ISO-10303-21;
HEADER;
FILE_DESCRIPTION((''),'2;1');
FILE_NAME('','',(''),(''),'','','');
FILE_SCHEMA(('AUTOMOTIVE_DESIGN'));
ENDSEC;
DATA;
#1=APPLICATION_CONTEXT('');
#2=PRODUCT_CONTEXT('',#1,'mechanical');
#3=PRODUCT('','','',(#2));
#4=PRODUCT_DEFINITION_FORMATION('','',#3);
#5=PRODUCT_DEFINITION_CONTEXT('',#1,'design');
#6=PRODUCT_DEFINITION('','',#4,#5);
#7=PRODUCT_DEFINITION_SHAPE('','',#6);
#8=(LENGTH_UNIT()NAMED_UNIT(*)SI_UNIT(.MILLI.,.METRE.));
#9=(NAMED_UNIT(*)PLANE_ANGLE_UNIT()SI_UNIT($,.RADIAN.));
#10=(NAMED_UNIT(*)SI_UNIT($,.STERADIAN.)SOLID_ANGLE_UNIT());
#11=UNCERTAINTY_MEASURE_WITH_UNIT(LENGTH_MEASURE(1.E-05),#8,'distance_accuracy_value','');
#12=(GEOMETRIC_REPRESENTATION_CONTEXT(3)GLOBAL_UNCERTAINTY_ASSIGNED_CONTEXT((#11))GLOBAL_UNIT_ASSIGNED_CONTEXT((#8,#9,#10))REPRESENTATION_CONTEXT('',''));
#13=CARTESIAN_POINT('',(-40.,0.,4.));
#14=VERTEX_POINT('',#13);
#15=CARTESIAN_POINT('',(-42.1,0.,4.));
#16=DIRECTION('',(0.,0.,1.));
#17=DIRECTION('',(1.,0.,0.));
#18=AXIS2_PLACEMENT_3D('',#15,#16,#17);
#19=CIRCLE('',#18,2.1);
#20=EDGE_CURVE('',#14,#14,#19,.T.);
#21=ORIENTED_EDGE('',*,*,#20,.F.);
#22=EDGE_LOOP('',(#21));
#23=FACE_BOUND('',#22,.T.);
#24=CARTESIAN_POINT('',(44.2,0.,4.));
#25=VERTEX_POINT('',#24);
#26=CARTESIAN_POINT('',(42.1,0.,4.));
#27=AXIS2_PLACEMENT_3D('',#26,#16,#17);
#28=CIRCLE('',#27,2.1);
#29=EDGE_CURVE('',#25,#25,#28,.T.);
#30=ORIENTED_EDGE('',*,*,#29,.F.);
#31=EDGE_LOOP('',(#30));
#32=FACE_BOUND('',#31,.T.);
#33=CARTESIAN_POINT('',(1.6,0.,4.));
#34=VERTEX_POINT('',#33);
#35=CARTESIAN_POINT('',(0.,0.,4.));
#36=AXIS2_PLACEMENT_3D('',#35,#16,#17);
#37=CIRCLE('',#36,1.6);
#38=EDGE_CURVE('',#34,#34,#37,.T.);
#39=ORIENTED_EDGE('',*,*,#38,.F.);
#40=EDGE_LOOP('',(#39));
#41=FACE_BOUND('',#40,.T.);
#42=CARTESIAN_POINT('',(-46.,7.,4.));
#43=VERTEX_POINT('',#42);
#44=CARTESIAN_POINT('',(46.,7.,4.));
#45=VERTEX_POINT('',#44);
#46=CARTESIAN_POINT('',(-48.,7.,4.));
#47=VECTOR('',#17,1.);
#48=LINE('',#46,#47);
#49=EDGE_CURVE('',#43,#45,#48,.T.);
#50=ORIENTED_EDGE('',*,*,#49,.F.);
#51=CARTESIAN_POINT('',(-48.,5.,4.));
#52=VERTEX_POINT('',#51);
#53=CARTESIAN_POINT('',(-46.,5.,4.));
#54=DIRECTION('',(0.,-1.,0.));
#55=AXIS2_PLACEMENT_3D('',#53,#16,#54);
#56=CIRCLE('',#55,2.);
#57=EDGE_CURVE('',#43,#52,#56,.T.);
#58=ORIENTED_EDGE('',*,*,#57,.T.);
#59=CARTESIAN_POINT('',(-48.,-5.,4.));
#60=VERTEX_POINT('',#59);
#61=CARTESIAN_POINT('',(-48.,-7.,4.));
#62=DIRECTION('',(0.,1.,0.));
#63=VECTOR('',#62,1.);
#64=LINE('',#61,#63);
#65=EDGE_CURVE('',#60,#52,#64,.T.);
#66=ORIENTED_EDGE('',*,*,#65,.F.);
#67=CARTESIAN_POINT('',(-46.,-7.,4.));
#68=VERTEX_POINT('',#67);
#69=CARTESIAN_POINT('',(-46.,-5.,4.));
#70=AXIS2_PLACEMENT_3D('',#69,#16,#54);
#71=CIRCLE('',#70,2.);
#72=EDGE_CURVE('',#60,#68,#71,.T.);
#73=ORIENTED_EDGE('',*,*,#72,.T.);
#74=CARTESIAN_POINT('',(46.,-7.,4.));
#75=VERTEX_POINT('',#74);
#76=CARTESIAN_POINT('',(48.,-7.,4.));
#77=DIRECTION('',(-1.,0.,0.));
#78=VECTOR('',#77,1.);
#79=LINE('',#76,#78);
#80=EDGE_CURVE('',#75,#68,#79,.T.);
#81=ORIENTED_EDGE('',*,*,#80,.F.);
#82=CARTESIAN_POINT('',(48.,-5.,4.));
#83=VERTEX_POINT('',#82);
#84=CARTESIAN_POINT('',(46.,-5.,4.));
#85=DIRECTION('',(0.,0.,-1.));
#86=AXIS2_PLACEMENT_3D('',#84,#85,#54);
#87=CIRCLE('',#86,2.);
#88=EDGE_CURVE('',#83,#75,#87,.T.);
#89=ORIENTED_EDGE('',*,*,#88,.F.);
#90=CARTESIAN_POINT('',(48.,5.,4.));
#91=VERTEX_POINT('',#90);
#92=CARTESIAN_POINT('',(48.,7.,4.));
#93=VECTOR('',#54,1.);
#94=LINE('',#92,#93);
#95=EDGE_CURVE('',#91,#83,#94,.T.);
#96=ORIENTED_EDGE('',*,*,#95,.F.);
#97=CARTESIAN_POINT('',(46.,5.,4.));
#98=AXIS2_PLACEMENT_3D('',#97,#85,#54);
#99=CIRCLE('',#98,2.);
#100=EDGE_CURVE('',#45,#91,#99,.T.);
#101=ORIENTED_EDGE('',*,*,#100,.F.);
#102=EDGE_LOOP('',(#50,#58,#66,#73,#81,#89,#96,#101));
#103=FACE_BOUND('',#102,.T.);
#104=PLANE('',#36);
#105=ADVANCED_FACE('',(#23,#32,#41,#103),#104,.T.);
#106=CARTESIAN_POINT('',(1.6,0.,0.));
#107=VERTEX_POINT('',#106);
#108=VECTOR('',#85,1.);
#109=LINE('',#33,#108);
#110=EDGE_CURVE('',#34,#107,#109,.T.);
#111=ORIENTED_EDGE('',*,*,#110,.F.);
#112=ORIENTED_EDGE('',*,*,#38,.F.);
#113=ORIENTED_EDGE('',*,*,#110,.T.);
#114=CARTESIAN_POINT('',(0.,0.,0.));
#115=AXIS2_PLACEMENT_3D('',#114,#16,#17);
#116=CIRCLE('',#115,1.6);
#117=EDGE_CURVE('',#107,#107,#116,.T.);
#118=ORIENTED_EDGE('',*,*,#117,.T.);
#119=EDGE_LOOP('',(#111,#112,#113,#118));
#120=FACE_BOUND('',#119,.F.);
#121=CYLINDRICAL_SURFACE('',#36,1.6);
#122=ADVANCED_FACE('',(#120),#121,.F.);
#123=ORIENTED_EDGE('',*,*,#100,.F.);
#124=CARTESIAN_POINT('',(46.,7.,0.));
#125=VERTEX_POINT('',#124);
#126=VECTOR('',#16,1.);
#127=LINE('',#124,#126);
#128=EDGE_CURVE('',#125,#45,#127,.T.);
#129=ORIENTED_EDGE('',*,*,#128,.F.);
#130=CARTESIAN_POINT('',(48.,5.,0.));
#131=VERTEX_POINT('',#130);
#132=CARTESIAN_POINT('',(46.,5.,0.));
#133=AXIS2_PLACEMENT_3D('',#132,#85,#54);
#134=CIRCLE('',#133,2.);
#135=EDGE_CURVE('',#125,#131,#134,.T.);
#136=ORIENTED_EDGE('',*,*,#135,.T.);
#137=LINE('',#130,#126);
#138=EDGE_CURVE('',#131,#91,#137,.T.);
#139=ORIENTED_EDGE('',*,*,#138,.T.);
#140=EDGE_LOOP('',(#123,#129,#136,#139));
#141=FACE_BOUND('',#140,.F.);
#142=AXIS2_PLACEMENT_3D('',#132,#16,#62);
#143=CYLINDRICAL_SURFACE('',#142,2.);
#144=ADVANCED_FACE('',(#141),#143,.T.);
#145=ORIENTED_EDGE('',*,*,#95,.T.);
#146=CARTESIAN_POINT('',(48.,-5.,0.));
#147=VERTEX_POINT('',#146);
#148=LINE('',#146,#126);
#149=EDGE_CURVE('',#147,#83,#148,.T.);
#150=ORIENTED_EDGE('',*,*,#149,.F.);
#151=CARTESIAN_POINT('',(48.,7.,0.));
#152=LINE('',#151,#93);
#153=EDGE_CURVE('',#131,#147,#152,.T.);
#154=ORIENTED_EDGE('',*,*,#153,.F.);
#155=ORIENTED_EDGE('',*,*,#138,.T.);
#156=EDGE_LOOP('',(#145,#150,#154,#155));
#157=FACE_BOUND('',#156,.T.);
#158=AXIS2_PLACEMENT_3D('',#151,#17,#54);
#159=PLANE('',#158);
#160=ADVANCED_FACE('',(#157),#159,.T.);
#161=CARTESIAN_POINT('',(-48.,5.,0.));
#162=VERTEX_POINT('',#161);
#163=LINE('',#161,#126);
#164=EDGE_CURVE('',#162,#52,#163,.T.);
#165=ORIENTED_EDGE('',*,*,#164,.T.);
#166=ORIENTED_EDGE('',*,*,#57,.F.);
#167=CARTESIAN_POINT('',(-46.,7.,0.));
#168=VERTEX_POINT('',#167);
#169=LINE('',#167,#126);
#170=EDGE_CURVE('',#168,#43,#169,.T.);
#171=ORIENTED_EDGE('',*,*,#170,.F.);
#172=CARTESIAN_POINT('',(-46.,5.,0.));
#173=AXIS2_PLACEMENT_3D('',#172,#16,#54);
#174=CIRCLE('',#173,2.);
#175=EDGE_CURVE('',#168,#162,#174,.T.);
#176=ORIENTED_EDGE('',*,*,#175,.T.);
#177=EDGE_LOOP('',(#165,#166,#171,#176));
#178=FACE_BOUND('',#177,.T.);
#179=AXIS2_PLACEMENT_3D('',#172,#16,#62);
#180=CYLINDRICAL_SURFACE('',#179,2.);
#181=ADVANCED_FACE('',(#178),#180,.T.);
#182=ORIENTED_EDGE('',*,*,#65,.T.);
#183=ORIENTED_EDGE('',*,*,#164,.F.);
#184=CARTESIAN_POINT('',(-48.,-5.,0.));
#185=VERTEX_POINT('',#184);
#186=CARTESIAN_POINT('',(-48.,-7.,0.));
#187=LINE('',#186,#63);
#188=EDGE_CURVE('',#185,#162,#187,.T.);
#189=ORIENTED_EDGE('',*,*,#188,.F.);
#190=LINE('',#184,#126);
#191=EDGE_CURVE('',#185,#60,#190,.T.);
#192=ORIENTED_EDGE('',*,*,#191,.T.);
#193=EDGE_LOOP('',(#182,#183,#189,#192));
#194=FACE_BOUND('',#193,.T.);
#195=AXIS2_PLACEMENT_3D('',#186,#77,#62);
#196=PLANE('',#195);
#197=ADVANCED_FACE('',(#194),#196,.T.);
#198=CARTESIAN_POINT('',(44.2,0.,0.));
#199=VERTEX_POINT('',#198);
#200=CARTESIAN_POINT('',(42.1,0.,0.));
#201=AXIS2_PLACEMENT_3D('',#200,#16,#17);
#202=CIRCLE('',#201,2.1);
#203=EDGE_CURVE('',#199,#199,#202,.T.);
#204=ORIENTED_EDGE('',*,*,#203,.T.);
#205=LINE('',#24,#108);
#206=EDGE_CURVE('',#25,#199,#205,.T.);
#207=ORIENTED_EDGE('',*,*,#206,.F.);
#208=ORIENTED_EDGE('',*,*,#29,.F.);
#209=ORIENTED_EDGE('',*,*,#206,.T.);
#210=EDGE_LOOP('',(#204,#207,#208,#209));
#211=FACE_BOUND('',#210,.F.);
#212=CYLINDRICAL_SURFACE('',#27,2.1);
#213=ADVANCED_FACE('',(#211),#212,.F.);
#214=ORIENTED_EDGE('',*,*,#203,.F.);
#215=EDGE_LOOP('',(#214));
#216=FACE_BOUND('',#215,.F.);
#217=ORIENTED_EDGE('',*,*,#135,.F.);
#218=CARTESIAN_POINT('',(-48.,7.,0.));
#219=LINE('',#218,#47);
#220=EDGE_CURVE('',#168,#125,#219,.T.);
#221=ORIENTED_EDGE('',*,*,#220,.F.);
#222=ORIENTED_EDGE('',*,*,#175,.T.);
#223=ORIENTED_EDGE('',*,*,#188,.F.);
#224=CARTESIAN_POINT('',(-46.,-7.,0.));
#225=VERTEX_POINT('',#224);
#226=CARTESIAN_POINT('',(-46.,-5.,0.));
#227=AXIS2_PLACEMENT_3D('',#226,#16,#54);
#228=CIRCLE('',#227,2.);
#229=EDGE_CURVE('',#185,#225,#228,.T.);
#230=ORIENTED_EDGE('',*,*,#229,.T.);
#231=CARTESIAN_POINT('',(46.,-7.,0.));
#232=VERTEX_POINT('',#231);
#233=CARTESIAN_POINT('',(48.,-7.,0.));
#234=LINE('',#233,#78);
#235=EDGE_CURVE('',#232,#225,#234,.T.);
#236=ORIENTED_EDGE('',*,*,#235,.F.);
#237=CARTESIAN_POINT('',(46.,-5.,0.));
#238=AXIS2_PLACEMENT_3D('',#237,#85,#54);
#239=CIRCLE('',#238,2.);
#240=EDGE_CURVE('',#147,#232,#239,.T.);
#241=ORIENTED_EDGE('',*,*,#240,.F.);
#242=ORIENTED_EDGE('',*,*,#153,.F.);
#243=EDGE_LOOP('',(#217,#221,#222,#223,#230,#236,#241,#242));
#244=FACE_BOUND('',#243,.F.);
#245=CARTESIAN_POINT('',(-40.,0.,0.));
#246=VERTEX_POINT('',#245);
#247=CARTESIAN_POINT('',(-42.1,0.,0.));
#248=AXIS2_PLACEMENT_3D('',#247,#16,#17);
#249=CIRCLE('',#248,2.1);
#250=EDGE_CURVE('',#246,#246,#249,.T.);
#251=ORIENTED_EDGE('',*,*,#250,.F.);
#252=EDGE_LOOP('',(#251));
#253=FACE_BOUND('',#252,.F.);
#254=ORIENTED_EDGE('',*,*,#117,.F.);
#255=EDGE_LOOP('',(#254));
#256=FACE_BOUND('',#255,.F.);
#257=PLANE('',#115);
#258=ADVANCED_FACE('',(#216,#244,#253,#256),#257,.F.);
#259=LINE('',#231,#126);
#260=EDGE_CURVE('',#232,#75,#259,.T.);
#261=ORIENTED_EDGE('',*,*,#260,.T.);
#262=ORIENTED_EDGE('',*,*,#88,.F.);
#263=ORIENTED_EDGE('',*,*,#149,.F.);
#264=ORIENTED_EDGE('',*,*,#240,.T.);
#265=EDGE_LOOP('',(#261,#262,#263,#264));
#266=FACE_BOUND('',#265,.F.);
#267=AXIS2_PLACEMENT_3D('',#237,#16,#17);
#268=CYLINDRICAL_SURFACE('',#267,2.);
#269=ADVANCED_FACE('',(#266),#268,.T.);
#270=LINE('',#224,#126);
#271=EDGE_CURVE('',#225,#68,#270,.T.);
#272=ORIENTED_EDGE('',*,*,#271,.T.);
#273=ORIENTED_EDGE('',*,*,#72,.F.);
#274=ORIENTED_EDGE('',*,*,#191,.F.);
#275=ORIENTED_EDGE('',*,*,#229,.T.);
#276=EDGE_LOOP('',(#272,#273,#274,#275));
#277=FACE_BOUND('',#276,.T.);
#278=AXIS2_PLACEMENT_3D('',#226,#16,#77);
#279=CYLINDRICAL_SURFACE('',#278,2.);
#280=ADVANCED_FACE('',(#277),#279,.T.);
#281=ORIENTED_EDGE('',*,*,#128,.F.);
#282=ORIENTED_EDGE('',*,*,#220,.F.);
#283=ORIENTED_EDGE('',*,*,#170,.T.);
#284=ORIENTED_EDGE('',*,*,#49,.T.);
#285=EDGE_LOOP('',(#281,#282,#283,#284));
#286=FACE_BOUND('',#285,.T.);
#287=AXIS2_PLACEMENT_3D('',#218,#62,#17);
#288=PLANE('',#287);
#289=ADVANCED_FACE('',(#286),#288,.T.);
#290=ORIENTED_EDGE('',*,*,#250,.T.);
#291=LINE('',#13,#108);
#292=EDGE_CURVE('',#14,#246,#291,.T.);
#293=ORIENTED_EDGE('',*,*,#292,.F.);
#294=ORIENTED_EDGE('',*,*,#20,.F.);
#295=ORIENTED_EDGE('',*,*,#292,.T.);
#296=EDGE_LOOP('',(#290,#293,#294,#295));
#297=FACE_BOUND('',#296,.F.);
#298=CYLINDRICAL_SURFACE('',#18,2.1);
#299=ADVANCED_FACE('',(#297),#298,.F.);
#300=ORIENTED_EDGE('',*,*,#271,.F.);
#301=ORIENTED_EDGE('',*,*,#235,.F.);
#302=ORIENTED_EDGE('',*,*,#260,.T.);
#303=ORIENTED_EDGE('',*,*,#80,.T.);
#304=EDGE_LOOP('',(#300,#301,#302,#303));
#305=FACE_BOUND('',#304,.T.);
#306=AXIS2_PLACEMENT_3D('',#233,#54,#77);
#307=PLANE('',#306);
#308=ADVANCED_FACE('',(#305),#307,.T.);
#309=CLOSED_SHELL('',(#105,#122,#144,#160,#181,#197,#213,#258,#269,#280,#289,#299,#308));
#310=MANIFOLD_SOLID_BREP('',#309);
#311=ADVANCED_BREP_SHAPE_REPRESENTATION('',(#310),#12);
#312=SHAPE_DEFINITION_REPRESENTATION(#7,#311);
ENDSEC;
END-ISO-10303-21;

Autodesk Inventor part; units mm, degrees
ref_plane "YZ Plane" through (0, 0, 0) normal (1, 0, 0) x (0, 1, 0)
ref_plane "XZ Plane" through (0, 0, 0) normal (0, 1, 0) x (-1, 0, 0)
ref_plane "XY Plane" through (0, 0, 0) normal (0, 0, 1) x (1, 0, 0)
sketch "스케치1" plane through (0, 0, 0) normal (0, 0, 1) x (1, 0, 0)
  line L0 (-48, 7) -> (48, 7)
  line L1 (48, 7) -> (48, -7)
  line L2 (48, -7) -> (-48, -7)
  line L3 (-48, -7) -> (-48, 7)
  line L4 (-48, 7) -> (48, -7) construction
  line L5 (48, 7) -> (-48, -7) construction
  point P0 (0, 0)
  dimension "d0" = 96
  dimension "d1" = 14
extrude "돌출1" add sketch "스케치1" along normal blind 4
sketch "스케치2" plane through (0, 0, 4) normal (0, 0, 1) x (1, 0, 0)
  line L0 (-48, -7) -> (48, -7) projected
  line L1 (48, -7) -> (48, 7) projected
  line L2 (48, 7) -> (-48, 7) projected
  line L3 (-48, 7) -> (-48, -7) projected
  circle A0 centre (-42.1, 0) radius 2.1
  circle A1 centre (42.1, 0) radius 2.1
  point P0 (0, 0)
  dimension "d4" = 4.2
  dimension "d5" = 4.2
  dimension "d6" = 84.2
  dimension "d7" = 5.9
  dimension "d10" = 7
extrude "돌출2" cut sketch "스케치2" against normal blind 4 contours A0 | A1
fillet "모깎기1" radius 2 4 edges at (48, 7, 2) (48, -7, 2) (-48, 7, 2) (-48, -7, 2)
sketch "스케치3" plane through (0, 0, 4) normal (0, 0, 1) x (1, 0, 0)
  circle A0 centre (0, 0) radius 1.6
  dimension "d12" = 3.2
extrude "돌출3" cut sketch "스케치3" against normal blind 4
sketch "스케치5" plane through (0, 0, 4) normal (0, 0, 1) x (1, 0, 0)
  circle A0 centre (0, 0) radius 1.6 projected
  arc A1 (-48, -5) -> (-46, -7) centre (-46, -5) ccw projected
  line L0 (-46, -7) -> (46, -7) projected
  arc A2 (46, -7) -> (48, -5) centre (46, -5) ccw projected
  line L1 (48, -5) -> (48, 5) projected
  arc A3 (48, 5) -> (46, 7) centre (46, 5) ccw projected
  line L2 (46, 7) -> (-46, 7) projected
  arc A4 (-46, 7) -> (-48, 5) centre (-46, 5) ccw projected
  line L3 (-48, 5) -> (-48, -5) projected
  circle A5 centre (42.1, 0) radius 2.1 projected
  circle A6 centre (-42.1, 0) radius 2.1 projected
  arc A7 (-46, 7) -> (-48, 5) centre (-46, 5) ccw projected
  line L4 (-48, 5) -> (-48, 20)
  line L5 (-44, 24) -> (44, 24)
  arc A8 (48, 5) -> (46, 7) centre (46, 5) ccw projected
  line L6 (48, 20) -> (48, 5)
  arc A9 (-44, 24) -> (-48, 20) centre (-44, 20) ccw
  arc A10 (48, 20) -> (44, 24) centre (44, 20) ccw
  point P0 (-48, 24)
  point P1 (48, 24)
  dimension "d18" = 19
  dimension "d21" = 4
sketch "스케치6" plane through (0, 0, 4) normal (0, 0, 1) x (1, 0, 0)
  circle A0 centre (0, 0) radius 1.6 projected
  arc A1 (-48, -5) -> (-46, -7) centre (-46, -5) ccw projected
  line L0 (-46, -7) -> (46, -7) projected
  arc A2 (46, -7) -> (48, -5) centre (46, -5) ccw projected
  line L1 (48, -5) -> (48, 20) projected
  arc A3 (48, 20) -> (44, 24) centre (44, 20) ccw projected
  line L2 (44, 24) -> (-44, 24) projected
  arc A4 (-44, 24) -> (-48, 20) centre (-44, 20) ccw projected
  line L3 (-48, 20) -> (-48, -5) projected
  circle A5 centre (42.1, 0) radius 2.1 projected
  circle A6 centre (-42.1, 0) radius 2.1 projected
  line L4 (48, -5) -> (48, 20) projected
  line L5 (-48, 23.602) -> (48, 23.602)
  line L6 (48, 23.602) -> (48, 18)
  line L7 (48, 18) -> (-48, 18)
  line L8 (-48, 18) -> (-48, 23.602)
  circle A7 centre (0, 20.4) radius 1.6
  circle A8 centre (-42.1, 20.4) radius 1.6
  circle A9 centre (42.1, 20.4) radius 1.6
  dimension "d23" = 3.2
  dimension "d24" = 3.2
  dimension "d35" = 3.6
sketch "스케치8" plane through (0, 0, 0) normal (0, 0, -1) x (-1, 0, 0)
  circle A0 centre (-42.1, 20.4) radius 1.6 projected
  circle A1 centre (0, 20.4) radius 1.6 projected
  circle A2 centre (42.1, 20.4) radius 1.6 projected
  circle A3 centre (0, 0) radius 1.6 projected
  circle A4 centre (-42.1, 0) radius 2.1 projected
  circle A5 centre (42.1, 0) radius 2.1 projected
  arc A6 (46, -7) -> (48, -5) centre (46, -5) ccw projected
  line L0 (48, 20) -> (48, -5) projected
  arc A7 (48, 20) -> (44, 24) centre (44, 20) ccw projected
  line L1 (44, 24) -> (-44, 24) projected
  arc A8 (-44, 24) -> (-48, 20) centre (-44, 20) ccw projected
  line L2 (-48, 20) -> (-48, -5) projected
  arc A9 (-48, -5) -> (-46, -7) centre (-46, -5) ccw projected
  line L3 (46, -7) -> (-46, -7) projected
  line L4 (-48, 24) -> (-18, 24)
  line L5 (-18, 24) -> (-18, 9)
  line L6 (-18, 9) -> (-48, 9)
  line L7 (-48, 9) -> (-48, 24)
  point P0 (-44, 24)
  dimension "d27" = 30
  dimension "d28" = 15
sketch "스케치10" plane through (0, 0, 0) normal (0, 0, -1) x (-1, 0, 0)
  arc A0 (-45, 9) -> (-48, 6) centre (-45, 6) ccw projected
  line L0 (-48, 6) -> (-48, -5) projected
  arc A1 (-48, -5) -> (-46, -7) centre (-46, -5) ccw projected
  line L1 (46, -7) -> (-46, -7) projected
  arc A2 (46, -7) -> (48, -5) centre (46, -5) ccw projected
  line L2 (48, 20) -> (48, -5) projected
  arc A3 (48, 20) -> (44, 24) centre (44, 20) ccw projected
  line L3 (44, 24) -> (-15, 24) projected
  arc A4 (-15, 24) -> (-18, 21) centre (-15, 21) ccw projected
  line L4 (-18, 21) -> (-18, 12) projected
  arc A5 (-21, 9) -> (-18, 12) centre (-21, 12) ccw projected
  line L5 (-21, 9) -> (-45, 9) projected
  circle A6 centre (42.1, 0) radius 2.1 projected
  circle A7 centre (-42.1, 0) radius 2.1 projected
  circle A8 centre (0, 0) radius 1.6 projected
  circle A9 centre (42.1, 20.4) radius 1.6 projected
  circle A10 centre (0, 20.4) radius 1.6 projected
  circle A11 centre (21.05, 20.4) radius 1.6
  dimension "d32" = 21.05
properties part number "축지지프레임" material "알루미늄 6061"
